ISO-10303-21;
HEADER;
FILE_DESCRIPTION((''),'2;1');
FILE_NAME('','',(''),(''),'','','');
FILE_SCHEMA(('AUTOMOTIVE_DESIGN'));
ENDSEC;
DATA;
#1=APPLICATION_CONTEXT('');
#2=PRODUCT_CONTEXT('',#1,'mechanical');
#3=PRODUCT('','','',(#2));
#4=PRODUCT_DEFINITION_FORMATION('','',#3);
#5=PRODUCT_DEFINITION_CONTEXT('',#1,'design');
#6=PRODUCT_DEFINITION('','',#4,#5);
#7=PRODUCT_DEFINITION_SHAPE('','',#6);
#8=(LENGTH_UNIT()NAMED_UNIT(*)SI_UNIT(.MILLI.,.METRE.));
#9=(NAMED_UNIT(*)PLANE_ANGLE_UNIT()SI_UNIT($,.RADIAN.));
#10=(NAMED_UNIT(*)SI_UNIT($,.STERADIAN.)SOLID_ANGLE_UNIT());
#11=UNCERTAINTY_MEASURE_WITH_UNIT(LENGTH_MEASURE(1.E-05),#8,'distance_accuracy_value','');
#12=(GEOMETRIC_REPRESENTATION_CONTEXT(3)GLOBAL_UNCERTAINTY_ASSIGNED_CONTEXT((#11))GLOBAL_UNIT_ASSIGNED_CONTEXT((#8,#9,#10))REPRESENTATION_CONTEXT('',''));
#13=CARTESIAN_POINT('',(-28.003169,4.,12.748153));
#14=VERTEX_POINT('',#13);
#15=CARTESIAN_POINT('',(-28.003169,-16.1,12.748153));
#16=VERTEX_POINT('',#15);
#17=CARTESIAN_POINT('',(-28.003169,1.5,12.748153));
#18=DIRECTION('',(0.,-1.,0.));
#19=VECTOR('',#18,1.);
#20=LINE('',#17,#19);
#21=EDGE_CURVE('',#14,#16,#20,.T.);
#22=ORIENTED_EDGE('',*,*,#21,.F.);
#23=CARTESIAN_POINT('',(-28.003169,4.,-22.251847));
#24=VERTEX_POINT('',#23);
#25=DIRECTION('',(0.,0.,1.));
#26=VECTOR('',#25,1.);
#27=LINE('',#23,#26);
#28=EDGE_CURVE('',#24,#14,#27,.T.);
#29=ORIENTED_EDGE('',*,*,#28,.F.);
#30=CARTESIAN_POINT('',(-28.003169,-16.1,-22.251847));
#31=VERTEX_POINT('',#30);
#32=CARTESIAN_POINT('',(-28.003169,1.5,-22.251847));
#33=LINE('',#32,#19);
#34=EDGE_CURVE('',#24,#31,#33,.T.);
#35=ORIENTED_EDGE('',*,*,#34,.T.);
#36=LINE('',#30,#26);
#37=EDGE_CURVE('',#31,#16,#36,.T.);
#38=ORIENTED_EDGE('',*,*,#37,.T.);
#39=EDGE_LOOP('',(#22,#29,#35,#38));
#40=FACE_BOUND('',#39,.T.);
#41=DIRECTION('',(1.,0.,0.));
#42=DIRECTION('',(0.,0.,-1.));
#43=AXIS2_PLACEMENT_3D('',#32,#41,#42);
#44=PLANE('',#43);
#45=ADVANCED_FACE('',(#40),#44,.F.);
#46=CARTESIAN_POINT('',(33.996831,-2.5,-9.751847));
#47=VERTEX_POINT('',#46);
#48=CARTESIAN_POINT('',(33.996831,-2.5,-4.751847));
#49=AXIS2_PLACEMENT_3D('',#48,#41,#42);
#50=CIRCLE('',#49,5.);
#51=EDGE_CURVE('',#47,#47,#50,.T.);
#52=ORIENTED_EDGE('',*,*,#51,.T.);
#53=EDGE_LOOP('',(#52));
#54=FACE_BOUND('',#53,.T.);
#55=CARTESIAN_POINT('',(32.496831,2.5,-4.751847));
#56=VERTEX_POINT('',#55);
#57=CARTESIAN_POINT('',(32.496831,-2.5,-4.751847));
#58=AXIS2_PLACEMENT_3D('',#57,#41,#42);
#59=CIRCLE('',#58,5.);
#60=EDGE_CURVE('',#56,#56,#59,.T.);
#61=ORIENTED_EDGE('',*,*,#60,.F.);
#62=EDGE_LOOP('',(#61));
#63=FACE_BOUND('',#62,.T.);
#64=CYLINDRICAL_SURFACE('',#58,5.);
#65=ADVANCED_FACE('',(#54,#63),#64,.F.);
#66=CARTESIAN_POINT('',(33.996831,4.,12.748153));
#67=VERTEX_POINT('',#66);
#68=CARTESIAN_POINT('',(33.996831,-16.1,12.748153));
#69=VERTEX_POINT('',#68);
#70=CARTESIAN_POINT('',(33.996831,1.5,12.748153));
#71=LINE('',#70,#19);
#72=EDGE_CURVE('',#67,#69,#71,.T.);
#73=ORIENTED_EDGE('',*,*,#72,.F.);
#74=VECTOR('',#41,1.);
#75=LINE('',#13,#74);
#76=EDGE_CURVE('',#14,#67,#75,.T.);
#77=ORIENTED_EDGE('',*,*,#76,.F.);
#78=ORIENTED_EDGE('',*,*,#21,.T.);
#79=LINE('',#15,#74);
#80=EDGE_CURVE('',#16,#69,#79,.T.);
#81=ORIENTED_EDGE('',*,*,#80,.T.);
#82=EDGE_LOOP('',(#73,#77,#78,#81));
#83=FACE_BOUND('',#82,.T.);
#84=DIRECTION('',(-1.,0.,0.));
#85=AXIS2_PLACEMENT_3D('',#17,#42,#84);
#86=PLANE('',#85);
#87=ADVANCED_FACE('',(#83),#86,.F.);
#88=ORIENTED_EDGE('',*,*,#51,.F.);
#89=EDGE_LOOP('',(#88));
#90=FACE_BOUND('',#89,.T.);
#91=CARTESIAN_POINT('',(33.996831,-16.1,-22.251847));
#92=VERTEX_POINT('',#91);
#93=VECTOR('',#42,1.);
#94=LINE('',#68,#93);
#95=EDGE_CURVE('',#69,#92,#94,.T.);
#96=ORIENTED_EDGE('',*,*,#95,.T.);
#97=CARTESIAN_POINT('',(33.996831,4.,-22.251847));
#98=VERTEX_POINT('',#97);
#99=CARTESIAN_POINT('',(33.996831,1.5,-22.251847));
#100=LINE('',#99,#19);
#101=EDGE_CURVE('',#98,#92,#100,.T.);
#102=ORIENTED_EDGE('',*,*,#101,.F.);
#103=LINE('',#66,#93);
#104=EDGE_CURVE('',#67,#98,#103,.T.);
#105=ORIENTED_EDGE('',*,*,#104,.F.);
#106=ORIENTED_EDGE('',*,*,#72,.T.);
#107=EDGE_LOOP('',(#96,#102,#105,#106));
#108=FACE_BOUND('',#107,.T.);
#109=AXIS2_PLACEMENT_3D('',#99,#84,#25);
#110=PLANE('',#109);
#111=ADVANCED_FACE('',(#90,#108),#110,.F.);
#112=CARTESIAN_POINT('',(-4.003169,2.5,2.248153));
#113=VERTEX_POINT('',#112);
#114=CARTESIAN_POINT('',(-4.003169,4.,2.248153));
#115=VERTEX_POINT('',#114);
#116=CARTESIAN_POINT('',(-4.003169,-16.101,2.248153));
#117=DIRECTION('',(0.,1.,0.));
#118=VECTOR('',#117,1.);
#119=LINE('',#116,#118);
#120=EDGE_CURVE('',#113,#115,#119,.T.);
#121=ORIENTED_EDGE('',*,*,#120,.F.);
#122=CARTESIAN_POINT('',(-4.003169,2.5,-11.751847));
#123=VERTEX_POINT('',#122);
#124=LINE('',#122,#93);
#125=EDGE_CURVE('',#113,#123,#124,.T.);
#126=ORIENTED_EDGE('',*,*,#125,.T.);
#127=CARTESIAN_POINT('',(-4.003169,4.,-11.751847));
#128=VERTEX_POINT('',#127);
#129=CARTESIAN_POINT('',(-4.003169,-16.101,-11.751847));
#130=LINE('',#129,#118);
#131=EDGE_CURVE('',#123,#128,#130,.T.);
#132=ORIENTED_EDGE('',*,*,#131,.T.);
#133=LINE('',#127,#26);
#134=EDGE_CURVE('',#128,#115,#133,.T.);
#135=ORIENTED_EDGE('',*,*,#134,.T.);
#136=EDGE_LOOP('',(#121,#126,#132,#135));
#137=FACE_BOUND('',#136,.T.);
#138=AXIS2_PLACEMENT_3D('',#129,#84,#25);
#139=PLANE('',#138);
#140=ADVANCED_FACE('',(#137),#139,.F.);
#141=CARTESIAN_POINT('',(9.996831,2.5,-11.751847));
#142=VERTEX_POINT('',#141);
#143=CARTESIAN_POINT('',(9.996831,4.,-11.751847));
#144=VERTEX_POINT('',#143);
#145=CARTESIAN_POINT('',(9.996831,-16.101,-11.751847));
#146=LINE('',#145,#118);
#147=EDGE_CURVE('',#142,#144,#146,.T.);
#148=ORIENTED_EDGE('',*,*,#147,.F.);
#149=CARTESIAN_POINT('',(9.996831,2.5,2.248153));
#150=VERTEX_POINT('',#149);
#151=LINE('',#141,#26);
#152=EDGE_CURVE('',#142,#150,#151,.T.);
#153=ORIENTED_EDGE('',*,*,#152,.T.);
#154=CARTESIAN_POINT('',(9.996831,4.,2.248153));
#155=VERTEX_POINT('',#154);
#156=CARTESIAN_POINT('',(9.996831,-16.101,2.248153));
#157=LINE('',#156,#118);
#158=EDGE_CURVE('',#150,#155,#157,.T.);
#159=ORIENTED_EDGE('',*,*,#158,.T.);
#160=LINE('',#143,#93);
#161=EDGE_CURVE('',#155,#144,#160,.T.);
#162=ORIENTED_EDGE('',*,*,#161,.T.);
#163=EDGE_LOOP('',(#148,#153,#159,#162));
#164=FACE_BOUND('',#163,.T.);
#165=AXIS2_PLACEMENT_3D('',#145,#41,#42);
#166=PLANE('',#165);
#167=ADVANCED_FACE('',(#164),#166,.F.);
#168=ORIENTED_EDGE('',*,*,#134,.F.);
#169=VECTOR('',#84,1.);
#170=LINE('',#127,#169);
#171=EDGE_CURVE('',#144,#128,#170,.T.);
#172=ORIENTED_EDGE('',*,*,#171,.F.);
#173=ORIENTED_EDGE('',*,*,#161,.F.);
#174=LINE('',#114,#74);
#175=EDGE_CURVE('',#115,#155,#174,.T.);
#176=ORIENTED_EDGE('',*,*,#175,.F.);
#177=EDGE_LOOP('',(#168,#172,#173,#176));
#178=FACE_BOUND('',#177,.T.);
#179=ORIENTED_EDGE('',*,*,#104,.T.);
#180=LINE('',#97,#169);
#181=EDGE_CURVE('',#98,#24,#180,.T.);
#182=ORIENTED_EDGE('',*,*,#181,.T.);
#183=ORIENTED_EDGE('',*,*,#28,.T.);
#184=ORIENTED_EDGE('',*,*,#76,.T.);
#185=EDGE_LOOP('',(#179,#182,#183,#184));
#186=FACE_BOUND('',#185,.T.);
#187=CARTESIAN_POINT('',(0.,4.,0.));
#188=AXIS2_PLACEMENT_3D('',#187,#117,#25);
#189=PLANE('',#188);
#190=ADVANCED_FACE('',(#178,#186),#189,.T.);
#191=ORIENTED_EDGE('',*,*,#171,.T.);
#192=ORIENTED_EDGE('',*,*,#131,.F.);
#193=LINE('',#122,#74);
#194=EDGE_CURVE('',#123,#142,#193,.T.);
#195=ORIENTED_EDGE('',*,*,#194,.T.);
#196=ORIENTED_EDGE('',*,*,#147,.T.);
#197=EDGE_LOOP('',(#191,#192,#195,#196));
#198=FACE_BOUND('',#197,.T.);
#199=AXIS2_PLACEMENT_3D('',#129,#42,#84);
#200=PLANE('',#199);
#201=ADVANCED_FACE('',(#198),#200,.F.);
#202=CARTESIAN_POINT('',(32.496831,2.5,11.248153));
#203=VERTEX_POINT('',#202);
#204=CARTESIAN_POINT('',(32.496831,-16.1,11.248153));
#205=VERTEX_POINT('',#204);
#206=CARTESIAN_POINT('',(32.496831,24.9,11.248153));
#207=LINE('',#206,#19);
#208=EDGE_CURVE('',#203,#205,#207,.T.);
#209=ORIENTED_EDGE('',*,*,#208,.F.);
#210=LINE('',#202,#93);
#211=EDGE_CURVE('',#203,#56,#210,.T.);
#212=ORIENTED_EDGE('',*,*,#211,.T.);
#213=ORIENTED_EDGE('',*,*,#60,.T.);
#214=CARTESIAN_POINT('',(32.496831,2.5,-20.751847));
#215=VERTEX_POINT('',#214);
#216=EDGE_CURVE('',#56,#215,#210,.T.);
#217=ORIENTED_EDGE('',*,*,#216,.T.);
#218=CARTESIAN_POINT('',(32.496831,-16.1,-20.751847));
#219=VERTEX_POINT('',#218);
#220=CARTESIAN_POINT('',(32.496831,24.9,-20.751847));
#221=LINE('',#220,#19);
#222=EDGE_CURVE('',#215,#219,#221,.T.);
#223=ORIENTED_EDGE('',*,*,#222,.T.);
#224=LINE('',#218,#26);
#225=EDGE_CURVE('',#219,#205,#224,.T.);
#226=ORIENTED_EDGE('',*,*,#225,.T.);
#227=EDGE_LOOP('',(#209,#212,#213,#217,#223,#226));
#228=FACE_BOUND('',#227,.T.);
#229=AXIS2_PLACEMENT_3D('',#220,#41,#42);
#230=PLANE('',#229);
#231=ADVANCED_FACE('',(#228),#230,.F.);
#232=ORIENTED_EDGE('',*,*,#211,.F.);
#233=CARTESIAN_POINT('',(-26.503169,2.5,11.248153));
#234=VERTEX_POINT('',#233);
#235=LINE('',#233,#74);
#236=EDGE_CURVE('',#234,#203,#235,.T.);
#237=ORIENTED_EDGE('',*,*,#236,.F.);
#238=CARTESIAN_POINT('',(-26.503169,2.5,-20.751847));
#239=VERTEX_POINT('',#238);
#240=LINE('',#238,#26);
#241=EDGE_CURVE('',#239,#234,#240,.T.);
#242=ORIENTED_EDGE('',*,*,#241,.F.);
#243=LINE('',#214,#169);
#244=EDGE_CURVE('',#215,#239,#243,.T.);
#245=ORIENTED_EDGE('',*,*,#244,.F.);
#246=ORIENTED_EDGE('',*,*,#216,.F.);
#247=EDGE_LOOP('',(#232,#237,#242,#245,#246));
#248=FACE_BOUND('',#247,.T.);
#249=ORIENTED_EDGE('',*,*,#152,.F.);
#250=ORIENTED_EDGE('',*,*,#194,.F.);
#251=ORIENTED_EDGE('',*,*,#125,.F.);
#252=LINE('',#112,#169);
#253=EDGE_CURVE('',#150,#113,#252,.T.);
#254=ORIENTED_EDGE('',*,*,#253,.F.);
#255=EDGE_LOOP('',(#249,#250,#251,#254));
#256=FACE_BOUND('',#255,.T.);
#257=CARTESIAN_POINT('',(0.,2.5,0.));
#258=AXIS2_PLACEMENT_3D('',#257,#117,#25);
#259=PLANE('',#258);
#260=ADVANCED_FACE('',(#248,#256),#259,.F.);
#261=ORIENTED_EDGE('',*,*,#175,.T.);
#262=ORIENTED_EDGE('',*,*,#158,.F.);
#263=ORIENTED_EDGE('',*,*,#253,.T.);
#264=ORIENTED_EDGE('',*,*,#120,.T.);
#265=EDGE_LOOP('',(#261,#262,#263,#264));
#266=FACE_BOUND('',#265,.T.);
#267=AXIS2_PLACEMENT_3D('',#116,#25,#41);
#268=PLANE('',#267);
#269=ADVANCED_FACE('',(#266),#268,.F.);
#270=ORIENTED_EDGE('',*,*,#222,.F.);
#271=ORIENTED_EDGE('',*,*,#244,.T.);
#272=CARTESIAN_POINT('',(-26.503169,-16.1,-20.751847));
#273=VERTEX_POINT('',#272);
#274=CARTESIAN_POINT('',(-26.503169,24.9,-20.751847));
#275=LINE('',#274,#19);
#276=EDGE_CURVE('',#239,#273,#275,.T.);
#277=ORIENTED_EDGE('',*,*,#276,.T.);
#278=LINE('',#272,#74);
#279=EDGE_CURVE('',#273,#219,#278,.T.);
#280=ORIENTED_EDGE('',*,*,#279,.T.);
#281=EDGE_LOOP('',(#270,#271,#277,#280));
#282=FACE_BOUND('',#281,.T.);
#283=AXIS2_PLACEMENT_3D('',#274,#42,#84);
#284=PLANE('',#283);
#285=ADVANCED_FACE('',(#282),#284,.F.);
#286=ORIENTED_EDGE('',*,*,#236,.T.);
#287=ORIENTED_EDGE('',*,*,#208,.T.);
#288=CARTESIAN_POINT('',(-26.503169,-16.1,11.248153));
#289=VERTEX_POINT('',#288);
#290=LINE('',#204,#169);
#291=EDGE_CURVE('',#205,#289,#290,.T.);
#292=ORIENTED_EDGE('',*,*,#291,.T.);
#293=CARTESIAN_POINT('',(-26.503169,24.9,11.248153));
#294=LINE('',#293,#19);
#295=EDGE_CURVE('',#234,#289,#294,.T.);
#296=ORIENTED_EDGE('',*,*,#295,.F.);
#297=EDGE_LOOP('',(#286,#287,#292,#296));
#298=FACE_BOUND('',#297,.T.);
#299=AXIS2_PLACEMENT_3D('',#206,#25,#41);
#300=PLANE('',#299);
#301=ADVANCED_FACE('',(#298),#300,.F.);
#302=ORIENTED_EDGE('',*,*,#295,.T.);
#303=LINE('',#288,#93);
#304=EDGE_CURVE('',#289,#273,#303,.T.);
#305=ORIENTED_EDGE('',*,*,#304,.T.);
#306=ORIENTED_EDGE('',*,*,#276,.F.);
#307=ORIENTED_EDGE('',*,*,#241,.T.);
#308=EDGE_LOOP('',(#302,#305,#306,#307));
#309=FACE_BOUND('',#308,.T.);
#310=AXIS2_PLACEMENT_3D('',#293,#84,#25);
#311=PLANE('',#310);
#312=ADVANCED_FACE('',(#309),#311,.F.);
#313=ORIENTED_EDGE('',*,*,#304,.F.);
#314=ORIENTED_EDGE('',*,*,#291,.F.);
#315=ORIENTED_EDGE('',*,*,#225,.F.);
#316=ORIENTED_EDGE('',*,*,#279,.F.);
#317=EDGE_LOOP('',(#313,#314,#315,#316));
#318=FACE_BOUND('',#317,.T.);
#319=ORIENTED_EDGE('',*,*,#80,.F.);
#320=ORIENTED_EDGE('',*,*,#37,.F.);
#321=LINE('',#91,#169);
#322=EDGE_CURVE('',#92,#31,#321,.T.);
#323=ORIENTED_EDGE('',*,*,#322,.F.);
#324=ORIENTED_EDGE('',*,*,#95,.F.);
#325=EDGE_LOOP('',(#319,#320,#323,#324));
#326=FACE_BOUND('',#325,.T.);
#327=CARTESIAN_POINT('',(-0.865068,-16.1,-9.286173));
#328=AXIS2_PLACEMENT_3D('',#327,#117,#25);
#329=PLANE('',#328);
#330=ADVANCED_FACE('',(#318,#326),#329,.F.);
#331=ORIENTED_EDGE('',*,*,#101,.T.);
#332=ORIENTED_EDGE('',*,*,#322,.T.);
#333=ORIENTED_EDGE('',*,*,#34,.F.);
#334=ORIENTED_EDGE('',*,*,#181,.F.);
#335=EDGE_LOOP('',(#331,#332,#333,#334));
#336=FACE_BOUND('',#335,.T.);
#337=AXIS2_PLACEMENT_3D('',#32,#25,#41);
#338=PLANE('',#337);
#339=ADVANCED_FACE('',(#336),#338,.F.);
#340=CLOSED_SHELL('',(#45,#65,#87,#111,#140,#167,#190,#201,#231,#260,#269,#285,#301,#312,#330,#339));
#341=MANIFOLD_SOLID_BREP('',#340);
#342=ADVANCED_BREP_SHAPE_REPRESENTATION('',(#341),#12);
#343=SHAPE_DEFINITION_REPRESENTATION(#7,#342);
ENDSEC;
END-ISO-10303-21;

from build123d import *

# Parameters (mm, degrees)
SKETCH_1_W          = 62
SKETCH_1_H          = 35
EXTRUDE_1_DEPTH     = 1.5
SKETCH_2_W          = 62
SKETCH_2_H          = 35
EXTRUDE_2_DEPTH     = 16.1
SKETCH_3_W          = 59
SKETCH_3_H          = 32
CUT_EXTRUDE_1_DEPTH = 41
SKETCH_4_W          = 62
SKETCH_4_H          = 35
SKETCH_4_W_2        = 59
SKETCH_4_H_2        = 32
EXTRUDE_3_DEPTH     = 1
SKETCH_5_W          = 62
SKETCH_5_H          = 35
EXTRUDE_4_DEPTH     = 1.5
SKETCH_8_R          = 5
CUT_EXTRUDE_3_DEPTH = 1.5
CUT_EXTRUDE_4_REACH = 22.1
SKETCH_10_W         = 14
SKETCH_10_H         = 14


with BuildPart() as part:
    # 草图1 → 凸台-拉伸1 (new body)
    with BuildSketch(Plane(origin=(0, 0, 0), x_dir=(1, 0, 0), z_dir=(0, 1, 0))):
        with Locations((2.996831225, 4.751847291)):
            Rectangle(SKETCH_1_W, SKETCH_1_H)
    extrude(amount=EXTRUDE_1_DEPTH)

    # 草图2 → 凸台-拉伸2 (add)
    with BuildSketch(Plane.XZ):
        with Locations((2.996831225, -4.751847291)):
            Rectangle(SKETCH_2_W, SKETCH_2_H)
    extrude(amount=EXTRUDE_2_DEPTH)

    # 草图3 → 切除-拉伸1 (cut)
    with BuildSketch(Plane.XZ.offset(16.1)):
        with Locations((2.996831225, -4.751847291)):
            Rectangle(SKETCH_3_W, SKETCH_3_H)
    extrude(amount=-CUT_EXTRUDE_1_DEPTH, mode=Mode.SUBTRACT)

    # 草图4 → 凸台-拉伸3 (add)
    with BuildSketch(Plane(origin=(0, 1.5, 0), x_dir=(1, 0, 0), z_dir=(0, 1, 0))):
        with Locations((2.996831225, 4.751847291)):
            Rectangle(SKETCH_4_W, SKETCH_4_H)
        with Locations((2.996831225, 4.751847291)):
            Rectangle(SKETCH_4_W_2, SKETCH_4_H_2, mode=Mode.SUBTRACT)
    extrude(amount=EXTRUDE_3_DEPTH)

    # 草图5 → 凸台-拉伸4 (add)
    with BuildSketch(Plane(origin=(0, 2.5, 0), x_dir=(1, 0, 0), z_dir=(0, 1, 0))):
        with Locations((2.996831225, 4.751847291)):
            Rectangle(SKETCH_5_W, SKETCH_5_H)
    extrude(amount=EXTRUDE_4_DEPTH)

    # 草图8 → 切除-拉伸3 (cut)
    with BuildSketch(Plane(origin=(33.996831225, 0, 0), x_dir=(0, 0, -1), z_dir=(1, 0, 0))):
        with Locations((4.751847291, -2.5)):
            Circle(SKETCH_8_R)
    extrude(amount=-CUT_EXTRUDE_3_DEPTH, mode=Mode.SUBTRACT)

    # 草图10 → 切除-拉伸4 (cut, up to next)
    with BuildSketch(Plane(origin=(0, 4, 0), x_dir=(1, 0, 0), z_dir=(0, 1, 0)), mode=Mode.PRIVATE) as cut_extrude_4_sk1:
        with Locations((2.996831225, 4.751847291)):
            Rectangle(SKETCH_10_W, SKETCH_10_H)
    cut_extrude_4_tool1 = extrude(cut_extrude_4_sk1.sketch, amount=-CUT_EXTRUDE_4_REACH, mode=Mode.PRIVATE) & part.part
    add(cut_extrude_4_tool1.solids().sort_by_distance((2.996831, 4, -4.751847))[0], mode=Mode.SUBTRACT)


solid = part.part
